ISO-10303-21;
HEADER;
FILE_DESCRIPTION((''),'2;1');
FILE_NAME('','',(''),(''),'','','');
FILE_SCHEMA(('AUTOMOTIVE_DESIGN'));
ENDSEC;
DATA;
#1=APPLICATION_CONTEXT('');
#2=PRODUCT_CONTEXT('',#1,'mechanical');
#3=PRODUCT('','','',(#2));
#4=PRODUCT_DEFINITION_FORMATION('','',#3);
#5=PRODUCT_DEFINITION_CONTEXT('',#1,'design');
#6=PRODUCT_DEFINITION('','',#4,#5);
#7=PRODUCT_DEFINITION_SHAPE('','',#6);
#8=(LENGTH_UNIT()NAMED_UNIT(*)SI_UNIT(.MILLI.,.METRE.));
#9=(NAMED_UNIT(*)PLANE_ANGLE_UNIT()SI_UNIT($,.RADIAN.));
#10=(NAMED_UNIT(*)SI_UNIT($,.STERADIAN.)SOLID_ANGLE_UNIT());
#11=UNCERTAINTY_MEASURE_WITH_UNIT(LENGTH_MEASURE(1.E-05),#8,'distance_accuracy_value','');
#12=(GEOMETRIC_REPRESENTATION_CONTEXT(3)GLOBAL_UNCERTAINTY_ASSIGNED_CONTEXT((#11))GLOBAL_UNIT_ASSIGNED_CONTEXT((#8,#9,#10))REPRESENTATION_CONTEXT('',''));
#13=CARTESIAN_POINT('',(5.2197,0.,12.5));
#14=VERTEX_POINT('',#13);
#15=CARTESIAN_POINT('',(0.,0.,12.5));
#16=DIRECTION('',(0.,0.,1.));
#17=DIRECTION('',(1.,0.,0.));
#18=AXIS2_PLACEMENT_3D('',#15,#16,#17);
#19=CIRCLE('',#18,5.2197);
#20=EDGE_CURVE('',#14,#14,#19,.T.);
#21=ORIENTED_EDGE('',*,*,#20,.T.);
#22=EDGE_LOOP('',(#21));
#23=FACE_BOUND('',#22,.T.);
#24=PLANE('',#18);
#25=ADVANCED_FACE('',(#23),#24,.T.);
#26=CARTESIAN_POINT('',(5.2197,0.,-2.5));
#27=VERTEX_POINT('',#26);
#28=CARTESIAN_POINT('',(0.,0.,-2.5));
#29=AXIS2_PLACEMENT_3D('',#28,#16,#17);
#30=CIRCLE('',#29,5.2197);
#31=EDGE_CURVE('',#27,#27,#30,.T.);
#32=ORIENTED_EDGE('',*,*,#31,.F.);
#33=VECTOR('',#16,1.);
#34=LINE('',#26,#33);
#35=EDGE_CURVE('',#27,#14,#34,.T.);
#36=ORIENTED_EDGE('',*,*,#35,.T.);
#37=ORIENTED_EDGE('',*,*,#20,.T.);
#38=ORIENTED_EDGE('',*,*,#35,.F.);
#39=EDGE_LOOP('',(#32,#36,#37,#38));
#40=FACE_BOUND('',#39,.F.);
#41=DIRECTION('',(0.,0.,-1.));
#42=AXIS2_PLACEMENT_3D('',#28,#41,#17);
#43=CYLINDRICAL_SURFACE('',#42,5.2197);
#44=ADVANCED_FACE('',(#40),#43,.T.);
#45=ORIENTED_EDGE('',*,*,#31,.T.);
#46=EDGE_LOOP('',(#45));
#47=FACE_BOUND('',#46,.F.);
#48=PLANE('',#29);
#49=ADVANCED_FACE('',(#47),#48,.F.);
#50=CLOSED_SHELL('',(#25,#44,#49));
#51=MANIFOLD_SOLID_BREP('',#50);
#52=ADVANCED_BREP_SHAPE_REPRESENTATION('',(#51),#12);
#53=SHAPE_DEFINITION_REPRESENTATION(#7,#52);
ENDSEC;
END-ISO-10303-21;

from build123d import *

# Parameters (mm, degrees)
CYLINDER_R     = 5.2197
CYLINDER_DEPTH = 15


with BuildPart() as part:
    # Cylinder → Cylinder (new body)
    with BuildSketch(Plane.XY.offset(-2.5)):
        Circle(CYLINDER_R)
    extrude(amount=CYLINDER_DEPTH)


solid = part.part
